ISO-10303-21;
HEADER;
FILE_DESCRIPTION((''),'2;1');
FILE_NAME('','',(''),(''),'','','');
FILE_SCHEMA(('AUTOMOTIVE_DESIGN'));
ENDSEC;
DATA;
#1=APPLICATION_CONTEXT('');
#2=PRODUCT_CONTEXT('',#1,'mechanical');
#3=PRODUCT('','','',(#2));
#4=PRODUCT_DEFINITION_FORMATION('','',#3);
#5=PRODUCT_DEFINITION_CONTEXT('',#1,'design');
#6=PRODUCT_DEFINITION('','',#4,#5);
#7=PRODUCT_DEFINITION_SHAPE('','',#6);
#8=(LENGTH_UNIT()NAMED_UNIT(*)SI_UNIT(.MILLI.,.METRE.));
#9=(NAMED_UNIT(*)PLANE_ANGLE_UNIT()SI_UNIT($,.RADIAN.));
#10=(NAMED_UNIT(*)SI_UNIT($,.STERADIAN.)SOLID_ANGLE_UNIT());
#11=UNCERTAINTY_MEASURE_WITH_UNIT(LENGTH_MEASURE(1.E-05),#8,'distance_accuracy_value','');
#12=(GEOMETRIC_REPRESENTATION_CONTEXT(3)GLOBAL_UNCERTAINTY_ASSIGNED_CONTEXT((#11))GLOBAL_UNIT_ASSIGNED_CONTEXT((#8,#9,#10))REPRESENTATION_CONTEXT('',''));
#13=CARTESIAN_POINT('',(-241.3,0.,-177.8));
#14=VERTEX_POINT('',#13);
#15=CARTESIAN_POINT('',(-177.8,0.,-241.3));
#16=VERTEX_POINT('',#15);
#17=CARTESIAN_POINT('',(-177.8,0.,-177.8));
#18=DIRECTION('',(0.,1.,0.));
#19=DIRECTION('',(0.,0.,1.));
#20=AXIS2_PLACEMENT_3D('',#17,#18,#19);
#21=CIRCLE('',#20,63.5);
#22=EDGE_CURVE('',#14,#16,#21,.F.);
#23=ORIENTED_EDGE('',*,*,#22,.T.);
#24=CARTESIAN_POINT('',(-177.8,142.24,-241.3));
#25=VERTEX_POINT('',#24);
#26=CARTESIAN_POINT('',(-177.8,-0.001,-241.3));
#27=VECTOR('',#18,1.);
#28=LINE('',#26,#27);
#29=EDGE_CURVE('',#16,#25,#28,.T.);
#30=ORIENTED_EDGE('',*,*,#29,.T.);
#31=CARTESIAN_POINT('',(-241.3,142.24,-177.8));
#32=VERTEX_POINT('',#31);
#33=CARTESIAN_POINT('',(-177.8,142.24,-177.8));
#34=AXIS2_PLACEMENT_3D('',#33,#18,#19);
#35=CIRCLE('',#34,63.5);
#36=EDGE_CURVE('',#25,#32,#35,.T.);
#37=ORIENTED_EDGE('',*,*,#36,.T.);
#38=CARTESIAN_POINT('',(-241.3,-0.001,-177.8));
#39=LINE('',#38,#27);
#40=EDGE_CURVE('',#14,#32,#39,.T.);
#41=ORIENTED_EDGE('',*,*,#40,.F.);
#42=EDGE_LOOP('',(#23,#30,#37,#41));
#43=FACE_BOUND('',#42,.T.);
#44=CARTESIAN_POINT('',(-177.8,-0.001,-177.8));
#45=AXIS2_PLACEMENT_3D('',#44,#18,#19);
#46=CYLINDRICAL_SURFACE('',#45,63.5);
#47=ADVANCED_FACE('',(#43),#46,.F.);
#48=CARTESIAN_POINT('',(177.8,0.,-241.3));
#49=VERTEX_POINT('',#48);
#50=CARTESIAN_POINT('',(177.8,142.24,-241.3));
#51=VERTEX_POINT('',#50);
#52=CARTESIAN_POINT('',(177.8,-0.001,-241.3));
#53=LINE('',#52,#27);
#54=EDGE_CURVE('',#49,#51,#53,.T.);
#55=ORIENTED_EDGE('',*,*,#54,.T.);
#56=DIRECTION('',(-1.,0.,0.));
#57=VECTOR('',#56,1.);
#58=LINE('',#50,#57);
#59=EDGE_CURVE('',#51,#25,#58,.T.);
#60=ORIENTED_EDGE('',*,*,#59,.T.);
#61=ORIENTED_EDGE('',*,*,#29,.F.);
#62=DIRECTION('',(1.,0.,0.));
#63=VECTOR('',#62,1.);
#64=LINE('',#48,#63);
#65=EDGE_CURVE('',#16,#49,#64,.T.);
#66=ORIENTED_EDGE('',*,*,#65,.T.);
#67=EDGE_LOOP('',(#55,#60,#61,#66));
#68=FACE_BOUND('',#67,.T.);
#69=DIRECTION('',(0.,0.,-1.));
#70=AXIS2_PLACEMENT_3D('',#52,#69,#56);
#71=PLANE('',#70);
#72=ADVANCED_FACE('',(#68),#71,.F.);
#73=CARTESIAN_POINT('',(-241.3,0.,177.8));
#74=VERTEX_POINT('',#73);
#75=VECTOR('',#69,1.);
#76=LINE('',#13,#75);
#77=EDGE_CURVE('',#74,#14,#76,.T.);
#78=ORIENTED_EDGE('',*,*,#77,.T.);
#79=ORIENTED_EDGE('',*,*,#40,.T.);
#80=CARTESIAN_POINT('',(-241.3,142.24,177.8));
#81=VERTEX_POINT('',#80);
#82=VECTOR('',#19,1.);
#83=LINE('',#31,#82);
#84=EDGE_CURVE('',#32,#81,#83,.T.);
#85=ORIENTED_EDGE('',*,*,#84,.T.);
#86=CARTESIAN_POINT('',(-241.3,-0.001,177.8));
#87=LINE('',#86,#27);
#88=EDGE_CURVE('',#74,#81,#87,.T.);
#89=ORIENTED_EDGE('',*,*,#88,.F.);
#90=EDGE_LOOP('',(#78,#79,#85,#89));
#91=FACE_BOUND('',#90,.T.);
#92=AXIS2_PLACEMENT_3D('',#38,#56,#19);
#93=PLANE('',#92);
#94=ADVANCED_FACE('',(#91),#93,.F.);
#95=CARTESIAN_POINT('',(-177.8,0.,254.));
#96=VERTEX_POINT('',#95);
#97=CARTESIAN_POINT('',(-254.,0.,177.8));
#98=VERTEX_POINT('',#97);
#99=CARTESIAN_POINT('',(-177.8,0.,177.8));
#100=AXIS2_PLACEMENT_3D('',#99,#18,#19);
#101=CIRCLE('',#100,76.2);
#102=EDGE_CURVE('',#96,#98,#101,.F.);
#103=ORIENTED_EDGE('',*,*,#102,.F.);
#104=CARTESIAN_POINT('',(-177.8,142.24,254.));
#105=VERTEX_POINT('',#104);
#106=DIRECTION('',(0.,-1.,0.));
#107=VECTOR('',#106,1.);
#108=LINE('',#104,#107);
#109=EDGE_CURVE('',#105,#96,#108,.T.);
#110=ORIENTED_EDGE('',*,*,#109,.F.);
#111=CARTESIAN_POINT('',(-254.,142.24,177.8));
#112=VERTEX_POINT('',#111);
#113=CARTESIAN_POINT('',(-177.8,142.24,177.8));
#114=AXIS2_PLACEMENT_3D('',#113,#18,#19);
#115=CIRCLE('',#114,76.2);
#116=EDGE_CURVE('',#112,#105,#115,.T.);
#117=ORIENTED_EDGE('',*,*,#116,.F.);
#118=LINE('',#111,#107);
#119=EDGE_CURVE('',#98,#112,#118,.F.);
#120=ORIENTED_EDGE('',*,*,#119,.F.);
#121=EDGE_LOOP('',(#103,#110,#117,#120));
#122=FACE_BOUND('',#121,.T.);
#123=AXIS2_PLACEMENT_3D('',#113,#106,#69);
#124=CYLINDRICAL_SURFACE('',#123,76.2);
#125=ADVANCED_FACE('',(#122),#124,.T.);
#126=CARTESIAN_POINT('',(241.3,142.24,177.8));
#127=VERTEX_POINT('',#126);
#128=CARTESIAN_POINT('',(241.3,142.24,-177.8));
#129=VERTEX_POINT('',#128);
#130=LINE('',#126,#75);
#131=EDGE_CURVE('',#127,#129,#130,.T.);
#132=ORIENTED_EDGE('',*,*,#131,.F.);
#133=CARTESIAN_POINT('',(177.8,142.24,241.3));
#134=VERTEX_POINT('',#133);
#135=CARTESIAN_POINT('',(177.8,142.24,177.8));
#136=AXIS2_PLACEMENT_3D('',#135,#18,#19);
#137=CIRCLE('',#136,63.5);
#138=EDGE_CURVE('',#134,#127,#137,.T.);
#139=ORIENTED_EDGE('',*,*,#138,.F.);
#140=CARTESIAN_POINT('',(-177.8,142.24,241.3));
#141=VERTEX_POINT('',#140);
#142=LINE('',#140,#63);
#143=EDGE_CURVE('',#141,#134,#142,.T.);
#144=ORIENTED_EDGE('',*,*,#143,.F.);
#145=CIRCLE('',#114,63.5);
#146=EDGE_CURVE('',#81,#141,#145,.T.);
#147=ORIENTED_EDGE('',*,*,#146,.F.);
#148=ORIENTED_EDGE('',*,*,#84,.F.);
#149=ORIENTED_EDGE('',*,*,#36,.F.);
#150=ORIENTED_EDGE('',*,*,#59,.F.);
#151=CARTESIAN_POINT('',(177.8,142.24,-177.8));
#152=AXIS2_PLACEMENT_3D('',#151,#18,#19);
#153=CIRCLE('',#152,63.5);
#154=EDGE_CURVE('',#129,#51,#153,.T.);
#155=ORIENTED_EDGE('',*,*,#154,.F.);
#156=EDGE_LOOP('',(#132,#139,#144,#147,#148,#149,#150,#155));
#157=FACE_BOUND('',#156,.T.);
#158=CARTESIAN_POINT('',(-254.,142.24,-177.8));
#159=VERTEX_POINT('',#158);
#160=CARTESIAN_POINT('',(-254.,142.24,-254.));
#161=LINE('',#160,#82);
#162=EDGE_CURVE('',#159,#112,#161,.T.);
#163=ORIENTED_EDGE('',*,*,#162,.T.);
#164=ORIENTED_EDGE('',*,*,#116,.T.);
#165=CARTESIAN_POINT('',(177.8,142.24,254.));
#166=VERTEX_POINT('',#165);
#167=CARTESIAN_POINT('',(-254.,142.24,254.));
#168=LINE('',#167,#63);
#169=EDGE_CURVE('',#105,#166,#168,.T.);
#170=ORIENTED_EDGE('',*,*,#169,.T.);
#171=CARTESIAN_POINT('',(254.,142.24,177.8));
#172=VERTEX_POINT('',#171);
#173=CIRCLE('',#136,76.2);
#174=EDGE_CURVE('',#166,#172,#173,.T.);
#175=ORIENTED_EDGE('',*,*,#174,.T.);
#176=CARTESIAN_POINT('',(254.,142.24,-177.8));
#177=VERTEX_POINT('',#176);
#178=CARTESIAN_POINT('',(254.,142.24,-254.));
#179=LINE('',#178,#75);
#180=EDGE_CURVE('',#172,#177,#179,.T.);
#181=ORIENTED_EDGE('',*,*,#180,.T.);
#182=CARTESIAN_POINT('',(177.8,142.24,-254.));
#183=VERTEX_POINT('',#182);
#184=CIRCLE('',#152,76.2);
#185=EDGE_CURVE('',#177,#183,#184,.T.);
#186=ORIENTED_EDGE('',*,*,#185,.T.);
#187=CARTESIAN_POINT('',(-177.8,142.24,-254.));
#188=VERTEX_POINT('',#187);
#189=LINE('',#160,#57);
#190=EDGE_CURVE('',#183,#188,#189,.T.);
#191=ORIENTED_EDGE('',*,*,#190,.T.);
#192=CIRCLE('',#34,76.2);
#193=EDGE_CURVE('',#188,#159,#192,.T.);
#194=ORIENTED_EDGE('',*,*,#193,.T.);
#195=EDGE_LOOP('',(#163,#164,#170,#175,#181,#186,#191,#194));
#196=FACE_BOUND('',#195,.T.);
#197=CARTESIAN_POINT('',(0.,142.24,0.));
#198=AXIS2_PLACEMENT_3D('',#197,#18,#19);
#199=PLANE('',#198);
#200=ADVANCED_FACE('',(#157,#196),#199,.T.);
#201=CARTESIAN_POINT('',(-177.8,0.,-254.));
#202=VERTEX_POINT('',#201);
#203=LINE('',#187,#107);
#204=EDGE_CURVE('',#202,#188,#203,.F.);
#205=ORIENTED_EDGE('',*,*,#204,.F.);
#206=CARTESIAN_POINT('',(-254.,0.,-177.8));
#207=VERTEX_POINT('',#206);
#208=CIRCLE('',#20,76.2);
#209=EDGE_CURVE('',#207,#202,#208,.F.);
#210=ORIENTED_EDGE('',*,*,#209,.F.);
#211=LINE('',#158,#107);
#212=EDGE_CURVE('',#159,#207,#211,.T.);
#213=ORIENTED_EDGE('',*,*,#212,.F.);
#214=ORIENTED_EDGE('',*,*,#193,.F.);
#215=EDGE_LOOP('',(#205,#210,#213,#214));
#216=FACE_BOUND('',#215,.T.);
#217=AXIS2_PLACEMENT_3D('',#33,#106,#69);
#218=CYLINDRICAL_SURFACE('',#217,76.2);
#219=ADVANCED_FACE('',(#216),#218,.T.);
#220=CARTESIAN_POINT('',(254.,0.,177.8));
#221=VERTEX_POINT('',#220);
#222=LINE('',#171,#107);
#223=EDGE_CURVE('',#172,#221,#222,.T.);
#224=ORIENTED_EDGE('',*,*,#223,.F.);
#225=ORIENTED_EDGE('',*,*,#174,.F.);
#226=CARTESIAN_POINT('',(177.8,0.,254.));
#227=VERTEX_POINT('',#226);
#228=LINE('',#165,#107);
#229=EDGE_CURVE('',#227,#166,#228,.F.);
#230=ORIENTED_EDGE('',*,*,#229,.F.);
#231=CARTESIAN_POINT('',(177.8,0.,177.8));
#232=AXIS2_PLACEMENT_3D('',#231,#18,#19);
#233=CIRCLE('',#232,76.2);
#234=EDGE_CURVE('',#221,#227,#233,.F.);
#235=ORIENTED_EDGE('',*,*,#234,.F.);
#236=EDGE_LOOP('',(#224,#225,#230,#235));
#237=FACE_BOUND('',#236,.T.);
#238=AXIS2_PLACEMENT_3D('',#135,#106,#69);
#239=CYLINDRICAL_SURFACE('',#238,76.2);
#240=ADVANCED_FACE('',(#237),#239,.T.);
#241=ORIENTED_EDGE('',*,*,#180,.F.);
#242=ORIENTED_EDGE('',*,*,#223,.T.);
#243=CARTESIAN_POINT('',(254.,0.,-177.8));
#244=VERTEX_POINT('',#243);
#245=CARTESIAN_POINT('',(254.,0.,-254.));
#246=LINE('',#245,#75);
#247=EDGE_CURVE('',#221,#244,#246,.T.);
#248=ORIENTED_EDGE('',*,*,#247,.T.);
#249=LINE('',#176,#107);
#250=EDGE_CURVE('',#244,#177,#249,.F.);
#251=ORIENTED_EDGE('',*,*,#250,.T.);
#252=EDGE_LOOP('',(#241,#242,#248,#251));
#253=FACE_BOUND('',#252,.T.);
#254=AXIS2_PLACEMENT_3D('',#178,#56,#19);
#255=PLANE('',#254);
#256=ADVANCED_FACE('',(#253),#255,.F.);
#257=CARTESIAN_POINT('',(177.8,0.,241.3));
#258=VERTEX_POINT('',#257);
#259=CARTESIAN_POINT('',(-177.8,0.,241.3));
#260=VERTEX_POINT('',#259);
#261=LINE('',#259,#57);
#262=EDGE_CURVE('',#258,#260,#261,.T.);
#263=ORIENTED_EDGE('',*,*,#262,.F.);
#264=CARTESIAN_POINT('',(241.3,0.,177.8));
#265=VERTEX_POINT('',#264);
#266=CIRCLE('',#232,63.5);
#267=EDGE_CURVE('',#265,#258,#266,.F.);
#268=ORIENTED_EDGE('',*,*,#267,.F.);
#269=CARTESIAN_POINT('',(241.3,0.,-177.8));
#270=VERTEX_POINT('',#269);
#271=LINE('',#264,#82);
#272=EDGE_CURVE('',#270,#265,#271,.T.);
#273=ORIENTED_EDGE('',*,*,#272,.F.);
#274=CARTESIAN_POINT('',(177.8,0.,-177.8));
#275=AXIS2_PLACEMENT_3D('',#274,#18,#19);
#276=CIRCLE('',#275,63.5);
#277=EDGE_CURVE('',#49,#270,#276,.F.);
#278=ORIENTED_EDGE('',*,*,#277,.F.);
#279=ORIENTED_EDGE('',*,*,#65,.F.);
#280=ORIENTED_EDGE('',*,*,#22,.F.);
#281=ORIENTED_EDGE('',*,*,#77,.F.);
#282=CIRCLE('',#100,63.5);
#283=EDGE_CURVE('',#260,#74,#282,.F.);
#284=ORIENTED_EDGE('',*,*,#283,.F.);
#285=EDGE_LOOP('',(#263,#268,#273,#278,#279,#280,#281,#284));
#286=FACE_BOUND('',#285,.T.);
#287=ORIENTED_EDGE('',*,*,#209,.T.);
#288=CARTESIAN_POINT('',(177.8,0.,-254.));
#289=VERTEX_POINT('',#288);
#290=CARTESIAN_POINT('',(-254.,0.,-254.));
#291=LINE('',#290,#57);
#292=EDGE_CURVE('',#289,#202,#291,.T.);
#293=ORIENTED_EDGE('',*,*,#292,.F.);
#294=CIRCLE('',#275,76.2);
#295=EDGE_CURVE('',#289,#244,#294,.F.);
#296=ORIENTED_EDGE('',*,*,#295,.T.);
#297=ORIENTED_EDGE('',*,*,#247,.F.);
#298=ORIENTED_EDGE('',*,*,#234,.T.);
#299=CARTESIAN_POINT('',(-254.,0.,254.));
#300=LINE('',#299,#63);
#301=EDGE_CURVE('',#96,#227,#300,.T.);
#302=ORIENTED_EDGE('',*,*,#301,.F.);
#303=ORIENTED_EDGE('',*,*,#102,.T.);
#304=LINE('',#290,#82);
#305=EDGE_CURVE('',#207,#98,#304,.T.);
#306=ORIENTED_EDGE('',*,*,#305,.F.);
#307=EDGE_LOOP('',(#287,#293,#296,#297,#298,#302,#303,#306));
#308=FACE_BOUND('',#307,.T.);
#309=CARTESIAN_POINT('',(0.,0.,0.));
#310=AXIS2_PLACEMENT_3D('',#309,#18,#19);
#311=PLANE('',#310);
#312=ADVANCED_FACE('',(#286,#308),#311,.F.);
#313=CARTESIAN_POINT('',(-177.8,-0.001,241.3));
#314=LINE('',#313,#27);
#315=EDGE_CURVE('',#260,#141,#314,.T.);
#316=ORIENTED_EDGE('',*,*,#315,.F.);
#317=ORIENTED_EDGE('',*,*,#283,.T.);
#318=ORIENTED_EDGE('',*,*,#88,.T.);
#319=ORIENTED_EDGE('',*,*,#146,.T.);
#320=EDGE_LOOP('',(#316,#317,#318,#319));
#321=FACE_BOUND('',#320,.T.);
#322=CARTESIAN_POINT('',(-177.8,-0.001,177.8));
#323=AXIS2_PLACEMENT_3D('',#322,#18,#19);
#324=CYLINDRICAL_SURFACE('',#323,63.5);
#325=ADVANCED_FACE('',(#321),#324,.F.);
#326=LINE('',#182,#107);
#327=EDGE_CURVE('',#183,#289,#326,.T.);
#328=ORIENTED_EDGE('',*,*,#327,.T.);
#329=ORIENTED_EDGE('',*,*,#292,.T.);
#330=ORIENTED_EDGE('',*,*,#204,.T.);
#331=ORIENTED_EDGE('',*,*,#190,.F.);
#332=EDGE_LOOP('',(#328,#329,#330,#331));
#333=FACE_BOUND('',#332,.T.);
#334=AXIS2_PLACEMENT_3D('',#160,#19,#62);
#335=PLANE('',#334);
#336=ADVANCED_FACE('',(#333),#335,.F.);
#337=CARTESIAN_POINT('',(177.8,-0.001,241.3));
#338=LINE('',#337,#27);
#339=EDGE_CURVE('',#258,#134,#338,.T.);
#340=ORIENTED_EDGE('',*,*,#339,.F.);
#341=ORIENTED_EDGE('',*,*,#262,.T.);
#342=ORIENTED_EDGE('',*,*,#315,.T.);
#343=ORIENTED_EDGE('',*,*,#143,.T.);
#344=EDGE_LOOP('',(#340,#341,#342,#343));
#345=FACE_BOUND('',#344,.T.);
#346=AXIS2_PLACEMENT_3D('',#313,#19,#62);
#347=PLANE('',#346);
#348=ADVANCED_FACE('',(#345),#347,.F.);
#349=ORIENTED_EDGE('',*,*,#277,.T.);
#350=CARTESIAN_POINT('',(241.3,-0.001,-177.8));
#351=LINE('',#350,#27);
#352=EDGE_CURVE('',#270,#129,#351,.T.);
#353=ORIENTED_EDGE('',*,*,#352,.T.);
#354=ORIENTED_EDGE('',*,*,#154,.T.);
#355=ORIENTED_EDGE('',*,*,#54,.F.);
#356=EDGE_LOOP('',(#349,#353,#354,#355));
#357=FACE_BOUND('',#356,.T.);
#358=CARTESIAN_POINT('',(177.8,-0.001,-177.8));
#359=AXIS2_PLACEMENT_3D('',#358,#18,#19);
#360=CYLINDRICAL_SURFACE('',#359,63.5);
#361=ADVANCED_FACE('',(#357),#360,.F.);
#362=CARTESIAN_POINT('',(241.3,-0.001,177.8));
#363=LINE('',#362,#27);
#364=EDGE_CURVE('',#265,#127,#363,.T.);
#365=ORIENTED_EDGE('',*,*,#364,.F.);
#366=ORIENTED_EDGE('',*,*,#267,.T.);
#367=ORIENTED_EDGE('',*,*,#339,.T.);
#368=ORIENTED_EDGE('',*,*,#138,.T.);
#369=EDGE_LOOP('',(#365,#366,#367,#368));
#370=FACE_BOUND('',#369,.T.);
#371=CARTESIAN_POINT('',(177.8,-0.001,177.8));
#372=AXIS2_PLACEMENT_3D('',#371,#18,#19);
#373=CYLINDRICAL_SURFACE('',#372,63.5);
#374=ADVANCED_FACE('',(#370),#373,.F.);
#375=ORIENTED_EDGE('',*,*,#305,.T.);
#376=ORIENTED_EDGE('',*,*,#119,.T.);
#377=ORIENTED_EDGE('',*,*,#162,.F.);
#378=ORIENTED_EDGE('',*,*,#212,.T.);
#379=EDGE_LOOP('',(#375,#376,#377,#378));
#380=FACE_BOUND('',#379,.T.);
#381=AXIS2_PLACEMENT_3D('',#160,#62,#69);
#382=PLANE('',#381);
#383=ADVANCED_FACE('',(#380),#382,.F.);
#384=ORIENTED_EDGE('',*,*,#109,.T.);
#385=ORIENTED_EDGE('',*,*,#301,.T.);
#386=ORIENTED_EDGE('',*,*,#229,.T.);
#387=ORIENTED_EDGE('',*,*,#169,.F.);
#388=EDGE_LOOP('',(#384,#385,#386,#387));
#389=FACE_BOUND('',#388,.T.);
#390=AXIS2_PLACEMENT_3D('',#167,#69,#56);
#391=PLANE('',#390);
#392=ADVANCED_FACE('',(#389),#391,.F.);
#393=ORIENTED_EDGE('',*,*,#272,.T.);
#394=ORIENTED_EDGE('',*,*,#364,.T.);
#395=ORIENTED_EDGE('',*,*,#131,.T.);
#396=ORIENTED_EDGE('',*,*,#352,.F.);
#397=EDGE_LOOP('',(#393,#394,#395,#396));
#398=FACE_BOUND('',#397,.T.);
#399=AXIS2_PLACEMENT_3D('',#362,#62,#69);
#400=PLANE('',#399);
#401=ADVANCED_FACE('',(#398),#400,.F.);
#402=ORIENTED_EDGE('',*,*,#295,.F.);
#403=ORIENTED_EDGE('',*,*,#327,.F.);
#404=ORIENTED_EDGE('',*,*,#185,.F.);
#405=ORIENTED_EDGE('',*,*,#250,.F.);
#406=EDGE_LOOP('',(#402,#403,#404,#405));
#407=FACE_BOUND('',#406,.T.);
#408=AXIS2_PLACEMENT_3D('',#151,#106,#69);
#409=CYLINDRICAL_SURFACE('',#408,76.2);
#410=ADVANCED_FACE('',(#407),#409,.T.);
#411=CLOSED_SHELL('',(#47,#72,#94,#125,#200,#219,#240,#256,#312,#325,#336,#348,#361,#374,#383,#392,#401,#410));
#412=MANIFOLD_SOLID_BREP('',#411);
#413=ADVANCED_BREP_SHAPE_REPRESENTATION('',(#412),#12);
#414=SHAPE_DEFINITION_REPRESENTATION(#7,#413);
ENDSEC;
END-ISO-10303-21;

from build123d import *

# Parameters (mm, degrees)
SKETCH1_W           = 508
SKETCH1_H           = 508
BOSS_EXTRUDE1_DEPTH = 142.24
FILLET1_R           = 76.2
CUT_EXTRUDE1_REACH  = 388.347


with BuildPart() as part:
    # Sketch1 → Boss-Extrude1 (new body)
    with BuildSketch(Plane(origin=(0, 0, 0), x_dir=(1, 0, 0), z_dir=(0, 1, 0))):
        Rectangle(SKETCH1_W, SKETCH1_H)
    extrude(amount=BOSS_EXTRUDE1_DEPTH)

    # Fillet1
    fillet1_edges = [part.edges().sort_by_distance(p)[0] for p in [
        (254, 71.12, 254),
        (-254, 71.12, 254),
        (-254, 71.12, -254),
        (254, 71.12, -254),
    ]]
    fillet(fillet1_edges, radius=FILLET1_R)

    # Sketch2 → Cut-Extrude1 (cut, up to next)
    with BuildSketch(Plane(origin=(0, 142.24, 0), x_dir=(1, 0, 0), z_dir=(0, 1, 0)), mode=Mode.PRIVATE) as cut_extrude1_sk1:
        with BuildLine():
            Line((-241.3, 177.8), (-241.3, -177.8))
            ThreePointArc((-241.3, -177.8), (-222.701280605, -222.701280605), (-177.8, -241.3))
            Line((-177.8, -241.3), (177.8, -241.3))
            ThreePointArc((177.8, -241.3), (222.701280605, -222.701280605), (241.3, -177.8))
            Line((241.3, -177.8), (241.3, 177.8))
            ThreePointArc((241.3, 177.8), (222.701280605, 222.701280605), (177.8, 241.3))
            Line((177.8, 241.3), (-177.8, 241.3))
            ThreePointArc((-177.8, 241.3), (-222.701280605, 222.701280605), (-241.3, 177.8))
        make_face()
    cut_extrude1_tool1 = extrude(cut_extrude1_sk1.sketch, amount=-CUT_EXTRUDE1_REACH, mode=Mode.PRIVATE) & part.part
    add(cut_extrude1_tool1.solids().sort_by_distance((0, 142.24, 0))[0], mode=Mode.SUBTRACT)


solid = part.part
